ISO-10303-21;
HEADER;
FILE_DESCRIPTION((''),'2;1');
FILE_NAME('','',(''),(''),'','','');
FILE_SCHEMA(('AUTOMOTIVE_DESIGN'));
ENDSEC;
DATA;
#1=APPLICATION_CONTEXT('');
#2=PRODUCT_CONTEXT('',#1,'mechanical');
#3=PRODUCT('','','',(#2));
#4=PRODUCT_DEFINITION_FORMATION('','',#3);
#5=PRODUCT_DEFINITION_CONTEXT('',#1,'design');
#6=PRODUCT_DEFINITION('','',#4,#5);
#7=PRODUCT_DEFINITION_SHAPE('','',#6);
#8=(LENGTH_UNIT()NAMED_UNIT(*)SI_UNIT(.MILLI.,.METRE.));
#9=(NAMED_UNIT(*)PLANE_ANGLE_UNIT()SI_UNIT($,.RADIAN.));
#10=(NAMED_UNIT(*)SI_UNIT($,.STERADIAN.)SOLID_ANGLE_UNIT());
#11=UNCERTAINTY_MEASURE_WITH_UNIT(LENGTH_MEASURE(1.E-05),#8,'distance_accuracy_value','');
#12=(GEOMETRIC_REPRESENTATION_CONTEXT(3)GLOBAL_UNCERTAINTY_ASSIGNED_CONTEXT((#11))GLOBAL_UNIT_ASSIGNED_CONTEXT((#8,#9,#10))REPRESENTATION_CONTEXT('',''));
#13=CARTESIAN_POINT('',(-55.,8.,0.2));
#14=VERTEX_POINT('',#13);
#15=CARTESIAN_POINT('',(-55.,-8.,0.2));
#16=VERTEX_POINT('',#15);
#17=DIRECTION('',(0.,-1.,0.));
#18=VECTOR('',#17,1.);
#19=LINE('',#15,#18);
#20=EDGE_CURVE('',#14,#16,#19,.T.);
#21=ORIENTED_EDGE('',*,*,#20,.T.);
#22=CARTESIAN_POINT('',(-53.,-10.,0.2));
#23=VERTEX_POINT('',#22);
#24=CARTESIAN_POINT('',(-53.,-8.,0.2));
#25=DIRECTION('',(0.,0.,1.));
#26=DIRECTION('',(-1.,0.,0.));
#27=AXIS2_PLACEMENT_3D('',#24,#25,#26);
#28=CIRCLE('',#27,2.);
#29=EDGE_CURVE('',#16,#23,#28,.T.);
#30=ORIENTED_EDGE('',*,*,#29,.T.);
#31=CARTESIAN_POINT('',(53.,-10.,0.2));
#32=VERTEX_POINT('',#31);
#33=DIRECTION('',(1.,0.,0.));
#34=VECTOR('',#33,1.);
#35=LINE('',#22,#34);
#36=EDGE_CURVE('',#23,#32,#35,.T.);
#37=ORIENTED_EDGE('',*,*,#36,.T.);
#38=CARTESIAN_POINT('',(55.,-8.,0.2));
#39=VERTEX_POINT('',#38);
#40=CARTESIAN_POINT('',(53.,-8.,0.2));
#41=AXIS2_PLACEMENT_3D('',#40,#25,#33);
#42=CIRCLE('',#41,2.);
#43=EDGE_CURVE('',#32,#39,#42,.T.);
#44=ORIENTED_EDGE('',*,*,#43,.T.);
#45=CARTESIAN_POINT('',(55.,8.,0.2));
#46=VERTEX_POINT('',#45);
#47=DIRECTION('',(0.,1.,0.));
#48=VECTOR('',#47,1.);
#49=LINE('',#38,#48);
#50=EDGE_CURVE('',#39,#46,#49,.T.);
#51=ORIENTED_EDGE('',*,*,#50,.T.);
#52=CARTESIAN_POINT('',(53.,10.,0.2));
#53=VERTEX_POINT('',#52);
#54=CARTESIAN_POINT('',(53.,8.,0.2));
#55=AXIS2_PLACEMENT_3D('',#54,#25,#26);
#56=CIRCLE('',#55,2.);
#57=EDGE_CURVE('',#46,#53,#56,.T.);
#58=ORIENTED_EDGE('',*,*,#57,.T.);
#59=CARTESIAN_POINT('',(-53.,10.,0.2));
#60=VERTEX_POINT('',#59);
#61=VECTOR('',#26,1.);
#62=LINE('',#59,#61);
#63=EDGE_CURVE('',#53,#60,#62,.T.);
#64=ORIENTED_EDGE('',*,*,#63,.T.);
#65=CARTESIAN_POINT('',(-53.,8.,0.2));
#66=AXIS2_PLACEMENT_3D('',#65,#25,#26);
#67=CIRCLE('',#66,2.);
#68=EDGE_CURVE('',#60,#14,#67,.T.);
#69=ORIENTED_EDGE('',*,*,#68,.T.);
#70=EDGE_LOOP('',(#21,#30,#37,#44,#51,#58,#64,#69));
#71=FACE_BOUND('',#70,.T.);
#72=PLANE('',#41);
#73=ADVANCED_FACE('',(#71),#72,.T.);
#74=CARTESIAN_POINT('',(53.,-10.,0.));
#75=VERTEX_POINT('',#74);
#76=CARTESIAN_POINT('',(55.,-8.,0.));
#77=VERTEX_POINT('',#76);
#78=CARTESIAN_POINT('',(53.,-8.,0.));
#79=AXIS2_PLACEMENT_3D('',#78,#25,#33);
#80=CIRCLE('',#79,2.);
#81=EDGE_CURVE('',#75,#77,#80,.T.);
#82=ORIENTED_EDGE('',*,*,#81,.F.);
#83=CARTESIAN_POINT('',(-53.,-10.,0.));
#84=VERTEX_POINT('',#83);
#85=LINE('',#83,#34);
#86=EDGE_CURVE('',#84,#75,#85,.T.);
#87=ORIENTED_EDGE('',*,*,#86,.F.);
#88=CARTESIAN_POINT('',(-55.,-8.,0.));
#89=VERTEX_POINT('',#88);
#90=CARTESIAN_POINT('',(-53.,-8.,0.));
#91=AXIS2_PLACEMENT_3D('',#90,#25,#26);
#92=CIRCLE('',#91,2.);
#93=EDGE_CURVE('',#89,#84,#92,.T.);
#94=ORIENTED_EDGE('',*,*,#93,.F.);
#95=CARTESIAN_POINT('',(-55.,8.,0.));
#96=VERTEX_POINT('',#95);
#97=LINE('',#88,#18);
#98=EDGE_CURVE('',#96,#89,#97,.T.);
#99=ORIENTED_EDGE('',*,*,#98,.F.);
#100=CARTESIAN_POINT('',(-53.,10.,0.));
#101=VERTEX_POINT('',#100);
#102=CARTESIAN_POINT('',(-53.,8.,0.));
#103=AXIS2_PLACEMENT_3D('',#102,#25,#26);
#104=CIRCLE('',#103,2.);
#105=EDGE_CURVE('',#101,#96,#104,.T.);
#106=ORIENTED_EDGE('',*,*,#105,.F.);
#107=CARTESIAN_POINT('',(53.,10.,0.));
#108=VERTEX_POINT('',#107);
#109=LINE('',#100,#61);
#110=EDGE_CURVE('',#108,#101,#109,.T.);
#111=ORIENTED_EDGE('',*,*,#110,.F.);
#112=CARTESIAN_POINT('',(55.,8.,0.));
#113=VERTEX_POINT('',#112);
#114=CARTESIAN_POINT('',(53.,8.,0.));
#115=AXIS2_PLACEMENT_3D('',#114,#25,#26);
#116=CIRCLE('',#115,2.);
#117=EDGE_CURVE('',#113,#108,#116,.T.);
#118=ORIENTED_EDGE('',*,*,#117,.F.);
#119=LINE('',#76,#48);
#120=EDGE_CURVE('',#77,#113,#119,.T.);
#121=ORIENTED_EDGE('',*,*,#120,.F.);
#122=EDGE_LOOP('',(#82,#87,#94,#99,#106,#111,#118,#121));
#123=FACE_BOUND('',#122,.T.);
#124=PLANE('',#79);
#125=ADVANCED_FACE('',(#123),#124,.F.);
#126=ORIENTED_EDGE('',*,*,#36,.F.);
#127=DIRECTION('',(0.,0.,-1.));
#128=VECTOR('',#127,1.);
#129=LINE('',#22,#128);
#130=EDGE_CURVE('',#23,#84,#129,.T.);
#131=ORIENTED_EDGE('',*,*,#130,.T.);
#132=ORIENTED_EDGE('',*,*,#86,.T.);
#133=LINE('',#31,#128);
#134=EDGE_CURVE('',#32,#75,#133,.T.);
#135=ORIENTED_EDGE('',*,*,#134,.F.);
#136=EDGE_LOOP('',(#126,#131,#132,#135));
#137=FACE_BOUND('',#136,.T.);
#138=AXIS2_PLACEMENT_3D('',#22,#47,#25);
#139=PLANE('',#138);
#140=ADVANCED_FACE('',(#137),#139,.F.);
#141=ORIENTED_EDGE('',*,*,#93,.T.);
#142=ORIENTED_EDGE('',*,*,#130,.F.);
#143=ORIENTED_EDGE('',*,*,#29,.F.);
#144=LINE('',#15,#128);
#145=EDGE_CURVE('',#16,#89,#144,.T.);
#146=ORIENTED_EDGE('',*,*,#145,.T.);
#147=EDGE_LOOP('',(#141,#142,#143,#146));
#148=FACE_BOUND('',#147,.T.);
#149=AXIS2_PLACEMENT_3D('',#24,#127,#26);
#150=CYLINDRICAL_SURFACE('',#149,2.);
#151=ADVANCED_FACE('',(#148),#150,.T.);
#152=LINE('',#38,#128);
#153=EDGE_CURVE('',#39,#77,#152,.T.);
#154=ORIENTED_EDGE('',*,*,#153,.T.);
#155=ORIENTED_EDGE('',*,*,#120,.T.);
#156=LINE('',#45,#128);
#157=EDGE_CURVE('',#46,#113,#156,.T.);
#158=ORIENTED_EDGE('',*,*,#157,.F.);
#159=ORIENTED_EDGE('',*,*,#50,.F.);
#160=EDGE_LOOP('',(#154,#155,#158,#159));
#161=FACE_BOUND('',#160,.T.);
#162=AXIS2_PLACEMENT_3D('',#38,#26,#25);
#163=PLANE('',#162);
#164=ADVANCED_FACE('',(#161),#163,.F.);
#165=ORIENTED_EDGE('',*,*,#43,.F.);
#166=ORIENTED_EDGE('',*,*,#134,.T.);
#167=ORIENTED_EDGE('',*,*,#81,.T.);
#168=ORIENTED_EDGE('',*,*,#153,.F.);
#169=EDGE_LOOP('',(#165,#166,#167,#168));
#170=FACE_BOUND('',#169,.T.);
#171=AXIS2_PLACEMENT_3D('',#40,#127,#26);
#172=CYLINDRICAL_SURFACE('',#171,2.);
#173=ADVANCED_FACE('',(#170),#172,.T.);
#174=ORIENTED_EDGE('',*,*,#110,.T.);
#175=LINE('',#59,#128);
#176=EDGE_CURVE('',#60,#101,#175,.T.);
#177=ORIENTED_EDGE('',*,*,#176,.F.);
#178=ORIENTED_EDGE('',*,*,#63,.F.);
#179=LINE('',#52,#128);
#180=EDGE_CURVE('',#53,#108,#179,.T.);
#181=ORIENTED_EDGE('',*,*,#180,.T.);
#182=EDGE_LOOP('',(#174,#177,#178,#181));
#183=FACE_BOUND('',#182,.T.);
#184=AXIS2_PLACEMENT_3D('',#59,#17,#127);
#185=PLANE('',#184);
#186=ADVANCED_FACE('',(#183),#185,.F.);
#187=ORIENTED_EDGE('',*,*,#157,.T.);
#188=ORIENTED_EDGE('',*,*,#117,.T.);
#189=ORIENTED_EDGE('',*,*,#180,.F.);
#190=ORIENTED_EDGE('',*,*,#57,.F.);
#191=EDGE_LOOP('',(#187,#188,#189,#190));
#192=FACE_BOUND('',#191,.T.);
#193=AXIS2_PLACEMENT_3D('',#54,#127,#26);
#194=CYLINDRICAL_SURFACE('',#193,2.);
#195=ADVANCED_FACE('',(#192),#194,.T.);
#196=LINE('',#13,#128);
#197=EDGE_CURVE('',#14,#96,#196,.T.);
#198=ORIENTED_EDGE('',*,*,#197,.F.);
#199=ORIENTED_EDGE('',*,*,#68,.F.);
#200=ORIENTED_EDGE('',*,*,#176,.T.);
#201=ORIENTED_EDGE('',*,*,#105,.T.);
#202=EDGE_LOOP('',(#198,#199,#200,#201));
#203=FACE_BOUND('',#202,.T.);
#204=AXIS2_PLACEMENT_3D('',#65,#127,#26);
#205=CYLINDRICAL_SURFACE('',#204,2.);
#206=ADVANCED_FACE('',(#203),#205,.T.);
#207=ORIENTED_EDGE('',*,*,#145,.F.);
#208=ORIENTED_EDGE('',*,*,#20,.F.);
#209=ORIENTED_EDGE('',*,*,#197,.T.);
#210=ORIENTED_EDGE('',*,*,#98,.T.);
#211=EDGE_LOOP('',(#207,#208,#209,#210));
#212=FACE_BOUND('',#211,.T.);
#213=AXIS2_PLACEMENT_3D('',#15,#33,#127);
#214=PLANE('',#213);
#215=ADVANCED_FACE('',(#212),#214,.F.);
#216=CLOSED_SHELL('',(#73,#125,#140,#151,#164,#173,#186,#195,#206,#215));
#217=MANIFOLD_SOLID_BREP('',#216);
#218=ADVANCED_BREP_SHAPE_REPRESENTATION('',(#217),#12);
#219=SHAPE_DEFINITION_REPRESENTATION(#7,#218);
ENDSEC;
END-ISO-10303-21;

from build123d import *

# Parameters (mm, degrees)
EXTRUDE_1_DEPTH = 0.2


with BuildPart() as part:
    # Эскиз1 → Бобышка-Вытянуть1 (new body)
    with BuildSketch(Plane.XY):
        with BuildLine():
            Line((-53, -10), (53, -10))
            ThreePointArc((53, -10), (54.414213562, -9.414213562), (55, -8))
            Line((55, -8), (55, 8))
            ThreePointArc((55, 8), (54.414213562, 9.414213562), (53, 10))
            Line((53, 10), (-53, 10))
            ThreePointArc((-53, 10), (-54.414213562, 9.414213562), (-55, 8))
            Line((-55, 8), (-55, -8))
            ThreePointArc((-55, -8), (-54.414213562, -9.414213562), (-53, -10))
        make_face()
    extrude(amount=EXTRUDE_1_DEPTH)


solid = part.part
